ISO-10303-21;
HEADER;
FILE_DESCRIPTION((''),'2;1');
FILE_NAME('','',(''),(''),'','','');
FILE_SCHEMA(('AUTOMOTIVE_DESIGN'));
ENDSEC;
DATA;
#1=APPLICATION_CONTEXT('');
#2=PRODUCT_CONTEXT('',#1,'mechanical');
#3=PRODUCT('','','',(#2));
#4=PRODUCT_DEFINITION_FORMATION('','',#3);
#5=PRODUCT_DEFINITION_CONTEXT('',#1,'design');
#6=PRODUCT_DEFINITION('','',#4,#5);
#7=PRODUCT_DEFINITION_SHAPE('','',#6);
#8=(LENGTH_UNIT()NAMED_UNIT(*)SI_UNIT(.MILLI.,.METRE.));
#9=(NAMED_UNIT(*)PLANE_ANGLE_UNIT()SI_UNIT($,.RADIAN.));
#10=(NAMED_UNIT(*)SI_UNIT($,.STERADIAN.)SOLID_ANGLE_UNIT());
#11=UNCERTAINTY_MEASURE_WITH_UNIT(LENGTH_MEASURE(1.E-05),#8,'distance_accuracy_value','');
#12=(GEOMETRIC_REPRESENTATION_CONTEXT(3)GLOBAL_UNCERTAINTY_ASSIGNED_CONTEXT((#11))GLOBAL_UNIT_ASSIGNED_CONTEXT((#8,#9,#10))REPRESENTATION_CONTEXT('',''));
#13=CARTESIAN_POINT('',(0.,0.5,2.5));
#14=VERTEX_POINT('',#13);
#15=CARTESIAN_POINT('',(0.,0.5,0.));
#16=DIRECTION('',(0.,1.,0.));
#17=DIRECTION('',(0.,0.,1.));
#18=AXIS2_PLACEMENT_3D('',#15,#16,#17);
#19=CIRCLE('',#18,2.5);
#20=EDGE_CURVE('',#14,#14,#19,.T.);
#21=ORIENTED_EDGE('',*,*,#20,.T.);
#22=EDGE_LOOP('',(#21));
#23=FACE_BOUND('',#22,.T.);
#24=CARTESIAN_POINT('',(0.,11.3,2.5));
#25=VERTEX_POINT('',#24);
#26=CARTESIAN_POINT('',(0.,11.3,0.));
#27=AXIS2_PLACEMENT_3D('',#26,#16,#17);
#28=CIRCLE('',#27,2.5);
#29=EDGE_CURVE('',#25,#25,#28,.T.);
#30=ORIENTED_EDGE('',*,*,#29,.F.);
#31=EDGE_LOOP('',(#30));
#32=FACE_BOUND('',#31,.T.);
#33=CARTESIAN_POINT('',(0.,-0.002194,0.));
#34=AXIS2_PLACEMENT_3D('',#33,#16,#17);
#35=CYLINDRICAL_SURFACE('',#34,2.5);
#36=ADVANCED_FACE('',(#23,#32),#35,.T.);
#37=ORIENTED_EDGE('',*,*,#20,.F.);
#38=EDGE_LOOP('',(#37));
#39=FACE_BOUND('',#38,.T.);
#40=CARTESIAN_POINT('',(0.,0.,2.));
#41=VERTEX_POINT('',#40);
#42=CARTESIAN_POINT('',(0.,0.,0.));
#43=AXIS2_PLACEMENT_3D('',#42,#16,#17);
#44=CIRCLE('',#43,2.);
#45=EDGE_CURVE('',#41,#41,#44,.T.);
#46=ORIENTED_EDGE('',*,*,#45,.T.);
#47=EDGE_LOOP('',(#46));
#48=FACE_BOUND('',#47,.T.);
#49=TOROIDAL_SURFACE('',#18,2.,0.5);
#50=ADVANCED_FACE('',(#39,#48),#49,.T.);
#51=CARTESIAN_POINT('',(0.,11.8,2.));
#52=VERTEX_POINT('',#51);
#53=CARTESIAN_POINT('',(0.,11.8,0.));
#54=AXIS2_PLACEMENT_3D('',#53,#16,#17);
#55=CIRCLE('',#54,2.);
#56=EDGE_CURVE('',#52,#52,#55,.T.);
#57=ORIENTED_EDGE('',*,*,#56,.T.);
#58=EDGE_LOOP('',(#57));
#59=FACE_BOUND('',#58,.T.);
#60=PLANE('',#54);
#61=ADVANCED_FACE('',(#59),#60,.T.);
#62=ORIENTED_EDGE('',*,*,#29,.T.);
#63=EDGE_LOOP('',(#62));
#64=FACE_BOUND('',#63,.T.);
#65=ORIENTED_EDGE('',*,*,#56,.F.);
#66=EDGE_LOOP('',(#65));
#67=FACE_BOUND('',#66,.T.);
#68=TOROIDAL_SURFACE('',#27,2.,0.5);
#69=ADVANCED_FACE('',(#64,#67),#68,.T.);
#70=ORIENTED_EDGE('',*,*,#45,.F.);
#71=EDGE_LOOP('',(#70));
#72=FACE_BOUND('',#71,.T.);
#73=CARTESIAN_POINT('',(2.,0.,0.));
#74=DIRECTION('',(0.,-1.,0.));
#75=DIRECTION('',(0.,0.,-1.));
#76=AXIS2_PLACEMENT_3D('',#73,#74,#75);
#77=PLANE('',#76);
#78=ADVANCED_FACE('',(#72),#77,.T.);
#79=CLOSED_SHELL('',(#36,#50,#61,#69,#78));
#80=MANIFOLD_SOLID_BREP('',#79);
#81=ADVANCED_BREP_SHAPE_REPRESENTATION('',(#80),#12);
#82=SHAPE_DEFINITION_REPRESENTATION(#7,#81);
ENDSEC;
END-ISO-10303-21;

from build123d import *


with BuildPart() as part:
    # 草圖1 → 旋轉1 (revolve)
    with BuildSketch(Plane(origin=(0, 0, 0), x_dir=(-1, 0, 0), z_dir=(0, 0, -1)), mode=Mode.PRIVATE) as revolve_1_sk:
        with BuildLine():
            Line((-2, 0), (0, 0))
            Line((0, 0), (0, 11.8))
            Line((0, 11.8), (-2, 11.8))
            ThreePointArc((-2, 11.8), (-2.353553391, 11.653553391), (-2.5, 11.3))
            Line((-2.5, 11.3), (-2.5, 0.5))
            ThreePointArc((-2.5, 0.5), (-2.353553391, 0.146446609), (-2, 0))
        make_face()
    revolve(revolve_1_sk.sketch.rotate(Axis((0, -0.002193579, 0), (0, 1, 0)), 270), axis=Axis((0, -0.002193579, 0), (0, 1, 0)))


solid = part.part
